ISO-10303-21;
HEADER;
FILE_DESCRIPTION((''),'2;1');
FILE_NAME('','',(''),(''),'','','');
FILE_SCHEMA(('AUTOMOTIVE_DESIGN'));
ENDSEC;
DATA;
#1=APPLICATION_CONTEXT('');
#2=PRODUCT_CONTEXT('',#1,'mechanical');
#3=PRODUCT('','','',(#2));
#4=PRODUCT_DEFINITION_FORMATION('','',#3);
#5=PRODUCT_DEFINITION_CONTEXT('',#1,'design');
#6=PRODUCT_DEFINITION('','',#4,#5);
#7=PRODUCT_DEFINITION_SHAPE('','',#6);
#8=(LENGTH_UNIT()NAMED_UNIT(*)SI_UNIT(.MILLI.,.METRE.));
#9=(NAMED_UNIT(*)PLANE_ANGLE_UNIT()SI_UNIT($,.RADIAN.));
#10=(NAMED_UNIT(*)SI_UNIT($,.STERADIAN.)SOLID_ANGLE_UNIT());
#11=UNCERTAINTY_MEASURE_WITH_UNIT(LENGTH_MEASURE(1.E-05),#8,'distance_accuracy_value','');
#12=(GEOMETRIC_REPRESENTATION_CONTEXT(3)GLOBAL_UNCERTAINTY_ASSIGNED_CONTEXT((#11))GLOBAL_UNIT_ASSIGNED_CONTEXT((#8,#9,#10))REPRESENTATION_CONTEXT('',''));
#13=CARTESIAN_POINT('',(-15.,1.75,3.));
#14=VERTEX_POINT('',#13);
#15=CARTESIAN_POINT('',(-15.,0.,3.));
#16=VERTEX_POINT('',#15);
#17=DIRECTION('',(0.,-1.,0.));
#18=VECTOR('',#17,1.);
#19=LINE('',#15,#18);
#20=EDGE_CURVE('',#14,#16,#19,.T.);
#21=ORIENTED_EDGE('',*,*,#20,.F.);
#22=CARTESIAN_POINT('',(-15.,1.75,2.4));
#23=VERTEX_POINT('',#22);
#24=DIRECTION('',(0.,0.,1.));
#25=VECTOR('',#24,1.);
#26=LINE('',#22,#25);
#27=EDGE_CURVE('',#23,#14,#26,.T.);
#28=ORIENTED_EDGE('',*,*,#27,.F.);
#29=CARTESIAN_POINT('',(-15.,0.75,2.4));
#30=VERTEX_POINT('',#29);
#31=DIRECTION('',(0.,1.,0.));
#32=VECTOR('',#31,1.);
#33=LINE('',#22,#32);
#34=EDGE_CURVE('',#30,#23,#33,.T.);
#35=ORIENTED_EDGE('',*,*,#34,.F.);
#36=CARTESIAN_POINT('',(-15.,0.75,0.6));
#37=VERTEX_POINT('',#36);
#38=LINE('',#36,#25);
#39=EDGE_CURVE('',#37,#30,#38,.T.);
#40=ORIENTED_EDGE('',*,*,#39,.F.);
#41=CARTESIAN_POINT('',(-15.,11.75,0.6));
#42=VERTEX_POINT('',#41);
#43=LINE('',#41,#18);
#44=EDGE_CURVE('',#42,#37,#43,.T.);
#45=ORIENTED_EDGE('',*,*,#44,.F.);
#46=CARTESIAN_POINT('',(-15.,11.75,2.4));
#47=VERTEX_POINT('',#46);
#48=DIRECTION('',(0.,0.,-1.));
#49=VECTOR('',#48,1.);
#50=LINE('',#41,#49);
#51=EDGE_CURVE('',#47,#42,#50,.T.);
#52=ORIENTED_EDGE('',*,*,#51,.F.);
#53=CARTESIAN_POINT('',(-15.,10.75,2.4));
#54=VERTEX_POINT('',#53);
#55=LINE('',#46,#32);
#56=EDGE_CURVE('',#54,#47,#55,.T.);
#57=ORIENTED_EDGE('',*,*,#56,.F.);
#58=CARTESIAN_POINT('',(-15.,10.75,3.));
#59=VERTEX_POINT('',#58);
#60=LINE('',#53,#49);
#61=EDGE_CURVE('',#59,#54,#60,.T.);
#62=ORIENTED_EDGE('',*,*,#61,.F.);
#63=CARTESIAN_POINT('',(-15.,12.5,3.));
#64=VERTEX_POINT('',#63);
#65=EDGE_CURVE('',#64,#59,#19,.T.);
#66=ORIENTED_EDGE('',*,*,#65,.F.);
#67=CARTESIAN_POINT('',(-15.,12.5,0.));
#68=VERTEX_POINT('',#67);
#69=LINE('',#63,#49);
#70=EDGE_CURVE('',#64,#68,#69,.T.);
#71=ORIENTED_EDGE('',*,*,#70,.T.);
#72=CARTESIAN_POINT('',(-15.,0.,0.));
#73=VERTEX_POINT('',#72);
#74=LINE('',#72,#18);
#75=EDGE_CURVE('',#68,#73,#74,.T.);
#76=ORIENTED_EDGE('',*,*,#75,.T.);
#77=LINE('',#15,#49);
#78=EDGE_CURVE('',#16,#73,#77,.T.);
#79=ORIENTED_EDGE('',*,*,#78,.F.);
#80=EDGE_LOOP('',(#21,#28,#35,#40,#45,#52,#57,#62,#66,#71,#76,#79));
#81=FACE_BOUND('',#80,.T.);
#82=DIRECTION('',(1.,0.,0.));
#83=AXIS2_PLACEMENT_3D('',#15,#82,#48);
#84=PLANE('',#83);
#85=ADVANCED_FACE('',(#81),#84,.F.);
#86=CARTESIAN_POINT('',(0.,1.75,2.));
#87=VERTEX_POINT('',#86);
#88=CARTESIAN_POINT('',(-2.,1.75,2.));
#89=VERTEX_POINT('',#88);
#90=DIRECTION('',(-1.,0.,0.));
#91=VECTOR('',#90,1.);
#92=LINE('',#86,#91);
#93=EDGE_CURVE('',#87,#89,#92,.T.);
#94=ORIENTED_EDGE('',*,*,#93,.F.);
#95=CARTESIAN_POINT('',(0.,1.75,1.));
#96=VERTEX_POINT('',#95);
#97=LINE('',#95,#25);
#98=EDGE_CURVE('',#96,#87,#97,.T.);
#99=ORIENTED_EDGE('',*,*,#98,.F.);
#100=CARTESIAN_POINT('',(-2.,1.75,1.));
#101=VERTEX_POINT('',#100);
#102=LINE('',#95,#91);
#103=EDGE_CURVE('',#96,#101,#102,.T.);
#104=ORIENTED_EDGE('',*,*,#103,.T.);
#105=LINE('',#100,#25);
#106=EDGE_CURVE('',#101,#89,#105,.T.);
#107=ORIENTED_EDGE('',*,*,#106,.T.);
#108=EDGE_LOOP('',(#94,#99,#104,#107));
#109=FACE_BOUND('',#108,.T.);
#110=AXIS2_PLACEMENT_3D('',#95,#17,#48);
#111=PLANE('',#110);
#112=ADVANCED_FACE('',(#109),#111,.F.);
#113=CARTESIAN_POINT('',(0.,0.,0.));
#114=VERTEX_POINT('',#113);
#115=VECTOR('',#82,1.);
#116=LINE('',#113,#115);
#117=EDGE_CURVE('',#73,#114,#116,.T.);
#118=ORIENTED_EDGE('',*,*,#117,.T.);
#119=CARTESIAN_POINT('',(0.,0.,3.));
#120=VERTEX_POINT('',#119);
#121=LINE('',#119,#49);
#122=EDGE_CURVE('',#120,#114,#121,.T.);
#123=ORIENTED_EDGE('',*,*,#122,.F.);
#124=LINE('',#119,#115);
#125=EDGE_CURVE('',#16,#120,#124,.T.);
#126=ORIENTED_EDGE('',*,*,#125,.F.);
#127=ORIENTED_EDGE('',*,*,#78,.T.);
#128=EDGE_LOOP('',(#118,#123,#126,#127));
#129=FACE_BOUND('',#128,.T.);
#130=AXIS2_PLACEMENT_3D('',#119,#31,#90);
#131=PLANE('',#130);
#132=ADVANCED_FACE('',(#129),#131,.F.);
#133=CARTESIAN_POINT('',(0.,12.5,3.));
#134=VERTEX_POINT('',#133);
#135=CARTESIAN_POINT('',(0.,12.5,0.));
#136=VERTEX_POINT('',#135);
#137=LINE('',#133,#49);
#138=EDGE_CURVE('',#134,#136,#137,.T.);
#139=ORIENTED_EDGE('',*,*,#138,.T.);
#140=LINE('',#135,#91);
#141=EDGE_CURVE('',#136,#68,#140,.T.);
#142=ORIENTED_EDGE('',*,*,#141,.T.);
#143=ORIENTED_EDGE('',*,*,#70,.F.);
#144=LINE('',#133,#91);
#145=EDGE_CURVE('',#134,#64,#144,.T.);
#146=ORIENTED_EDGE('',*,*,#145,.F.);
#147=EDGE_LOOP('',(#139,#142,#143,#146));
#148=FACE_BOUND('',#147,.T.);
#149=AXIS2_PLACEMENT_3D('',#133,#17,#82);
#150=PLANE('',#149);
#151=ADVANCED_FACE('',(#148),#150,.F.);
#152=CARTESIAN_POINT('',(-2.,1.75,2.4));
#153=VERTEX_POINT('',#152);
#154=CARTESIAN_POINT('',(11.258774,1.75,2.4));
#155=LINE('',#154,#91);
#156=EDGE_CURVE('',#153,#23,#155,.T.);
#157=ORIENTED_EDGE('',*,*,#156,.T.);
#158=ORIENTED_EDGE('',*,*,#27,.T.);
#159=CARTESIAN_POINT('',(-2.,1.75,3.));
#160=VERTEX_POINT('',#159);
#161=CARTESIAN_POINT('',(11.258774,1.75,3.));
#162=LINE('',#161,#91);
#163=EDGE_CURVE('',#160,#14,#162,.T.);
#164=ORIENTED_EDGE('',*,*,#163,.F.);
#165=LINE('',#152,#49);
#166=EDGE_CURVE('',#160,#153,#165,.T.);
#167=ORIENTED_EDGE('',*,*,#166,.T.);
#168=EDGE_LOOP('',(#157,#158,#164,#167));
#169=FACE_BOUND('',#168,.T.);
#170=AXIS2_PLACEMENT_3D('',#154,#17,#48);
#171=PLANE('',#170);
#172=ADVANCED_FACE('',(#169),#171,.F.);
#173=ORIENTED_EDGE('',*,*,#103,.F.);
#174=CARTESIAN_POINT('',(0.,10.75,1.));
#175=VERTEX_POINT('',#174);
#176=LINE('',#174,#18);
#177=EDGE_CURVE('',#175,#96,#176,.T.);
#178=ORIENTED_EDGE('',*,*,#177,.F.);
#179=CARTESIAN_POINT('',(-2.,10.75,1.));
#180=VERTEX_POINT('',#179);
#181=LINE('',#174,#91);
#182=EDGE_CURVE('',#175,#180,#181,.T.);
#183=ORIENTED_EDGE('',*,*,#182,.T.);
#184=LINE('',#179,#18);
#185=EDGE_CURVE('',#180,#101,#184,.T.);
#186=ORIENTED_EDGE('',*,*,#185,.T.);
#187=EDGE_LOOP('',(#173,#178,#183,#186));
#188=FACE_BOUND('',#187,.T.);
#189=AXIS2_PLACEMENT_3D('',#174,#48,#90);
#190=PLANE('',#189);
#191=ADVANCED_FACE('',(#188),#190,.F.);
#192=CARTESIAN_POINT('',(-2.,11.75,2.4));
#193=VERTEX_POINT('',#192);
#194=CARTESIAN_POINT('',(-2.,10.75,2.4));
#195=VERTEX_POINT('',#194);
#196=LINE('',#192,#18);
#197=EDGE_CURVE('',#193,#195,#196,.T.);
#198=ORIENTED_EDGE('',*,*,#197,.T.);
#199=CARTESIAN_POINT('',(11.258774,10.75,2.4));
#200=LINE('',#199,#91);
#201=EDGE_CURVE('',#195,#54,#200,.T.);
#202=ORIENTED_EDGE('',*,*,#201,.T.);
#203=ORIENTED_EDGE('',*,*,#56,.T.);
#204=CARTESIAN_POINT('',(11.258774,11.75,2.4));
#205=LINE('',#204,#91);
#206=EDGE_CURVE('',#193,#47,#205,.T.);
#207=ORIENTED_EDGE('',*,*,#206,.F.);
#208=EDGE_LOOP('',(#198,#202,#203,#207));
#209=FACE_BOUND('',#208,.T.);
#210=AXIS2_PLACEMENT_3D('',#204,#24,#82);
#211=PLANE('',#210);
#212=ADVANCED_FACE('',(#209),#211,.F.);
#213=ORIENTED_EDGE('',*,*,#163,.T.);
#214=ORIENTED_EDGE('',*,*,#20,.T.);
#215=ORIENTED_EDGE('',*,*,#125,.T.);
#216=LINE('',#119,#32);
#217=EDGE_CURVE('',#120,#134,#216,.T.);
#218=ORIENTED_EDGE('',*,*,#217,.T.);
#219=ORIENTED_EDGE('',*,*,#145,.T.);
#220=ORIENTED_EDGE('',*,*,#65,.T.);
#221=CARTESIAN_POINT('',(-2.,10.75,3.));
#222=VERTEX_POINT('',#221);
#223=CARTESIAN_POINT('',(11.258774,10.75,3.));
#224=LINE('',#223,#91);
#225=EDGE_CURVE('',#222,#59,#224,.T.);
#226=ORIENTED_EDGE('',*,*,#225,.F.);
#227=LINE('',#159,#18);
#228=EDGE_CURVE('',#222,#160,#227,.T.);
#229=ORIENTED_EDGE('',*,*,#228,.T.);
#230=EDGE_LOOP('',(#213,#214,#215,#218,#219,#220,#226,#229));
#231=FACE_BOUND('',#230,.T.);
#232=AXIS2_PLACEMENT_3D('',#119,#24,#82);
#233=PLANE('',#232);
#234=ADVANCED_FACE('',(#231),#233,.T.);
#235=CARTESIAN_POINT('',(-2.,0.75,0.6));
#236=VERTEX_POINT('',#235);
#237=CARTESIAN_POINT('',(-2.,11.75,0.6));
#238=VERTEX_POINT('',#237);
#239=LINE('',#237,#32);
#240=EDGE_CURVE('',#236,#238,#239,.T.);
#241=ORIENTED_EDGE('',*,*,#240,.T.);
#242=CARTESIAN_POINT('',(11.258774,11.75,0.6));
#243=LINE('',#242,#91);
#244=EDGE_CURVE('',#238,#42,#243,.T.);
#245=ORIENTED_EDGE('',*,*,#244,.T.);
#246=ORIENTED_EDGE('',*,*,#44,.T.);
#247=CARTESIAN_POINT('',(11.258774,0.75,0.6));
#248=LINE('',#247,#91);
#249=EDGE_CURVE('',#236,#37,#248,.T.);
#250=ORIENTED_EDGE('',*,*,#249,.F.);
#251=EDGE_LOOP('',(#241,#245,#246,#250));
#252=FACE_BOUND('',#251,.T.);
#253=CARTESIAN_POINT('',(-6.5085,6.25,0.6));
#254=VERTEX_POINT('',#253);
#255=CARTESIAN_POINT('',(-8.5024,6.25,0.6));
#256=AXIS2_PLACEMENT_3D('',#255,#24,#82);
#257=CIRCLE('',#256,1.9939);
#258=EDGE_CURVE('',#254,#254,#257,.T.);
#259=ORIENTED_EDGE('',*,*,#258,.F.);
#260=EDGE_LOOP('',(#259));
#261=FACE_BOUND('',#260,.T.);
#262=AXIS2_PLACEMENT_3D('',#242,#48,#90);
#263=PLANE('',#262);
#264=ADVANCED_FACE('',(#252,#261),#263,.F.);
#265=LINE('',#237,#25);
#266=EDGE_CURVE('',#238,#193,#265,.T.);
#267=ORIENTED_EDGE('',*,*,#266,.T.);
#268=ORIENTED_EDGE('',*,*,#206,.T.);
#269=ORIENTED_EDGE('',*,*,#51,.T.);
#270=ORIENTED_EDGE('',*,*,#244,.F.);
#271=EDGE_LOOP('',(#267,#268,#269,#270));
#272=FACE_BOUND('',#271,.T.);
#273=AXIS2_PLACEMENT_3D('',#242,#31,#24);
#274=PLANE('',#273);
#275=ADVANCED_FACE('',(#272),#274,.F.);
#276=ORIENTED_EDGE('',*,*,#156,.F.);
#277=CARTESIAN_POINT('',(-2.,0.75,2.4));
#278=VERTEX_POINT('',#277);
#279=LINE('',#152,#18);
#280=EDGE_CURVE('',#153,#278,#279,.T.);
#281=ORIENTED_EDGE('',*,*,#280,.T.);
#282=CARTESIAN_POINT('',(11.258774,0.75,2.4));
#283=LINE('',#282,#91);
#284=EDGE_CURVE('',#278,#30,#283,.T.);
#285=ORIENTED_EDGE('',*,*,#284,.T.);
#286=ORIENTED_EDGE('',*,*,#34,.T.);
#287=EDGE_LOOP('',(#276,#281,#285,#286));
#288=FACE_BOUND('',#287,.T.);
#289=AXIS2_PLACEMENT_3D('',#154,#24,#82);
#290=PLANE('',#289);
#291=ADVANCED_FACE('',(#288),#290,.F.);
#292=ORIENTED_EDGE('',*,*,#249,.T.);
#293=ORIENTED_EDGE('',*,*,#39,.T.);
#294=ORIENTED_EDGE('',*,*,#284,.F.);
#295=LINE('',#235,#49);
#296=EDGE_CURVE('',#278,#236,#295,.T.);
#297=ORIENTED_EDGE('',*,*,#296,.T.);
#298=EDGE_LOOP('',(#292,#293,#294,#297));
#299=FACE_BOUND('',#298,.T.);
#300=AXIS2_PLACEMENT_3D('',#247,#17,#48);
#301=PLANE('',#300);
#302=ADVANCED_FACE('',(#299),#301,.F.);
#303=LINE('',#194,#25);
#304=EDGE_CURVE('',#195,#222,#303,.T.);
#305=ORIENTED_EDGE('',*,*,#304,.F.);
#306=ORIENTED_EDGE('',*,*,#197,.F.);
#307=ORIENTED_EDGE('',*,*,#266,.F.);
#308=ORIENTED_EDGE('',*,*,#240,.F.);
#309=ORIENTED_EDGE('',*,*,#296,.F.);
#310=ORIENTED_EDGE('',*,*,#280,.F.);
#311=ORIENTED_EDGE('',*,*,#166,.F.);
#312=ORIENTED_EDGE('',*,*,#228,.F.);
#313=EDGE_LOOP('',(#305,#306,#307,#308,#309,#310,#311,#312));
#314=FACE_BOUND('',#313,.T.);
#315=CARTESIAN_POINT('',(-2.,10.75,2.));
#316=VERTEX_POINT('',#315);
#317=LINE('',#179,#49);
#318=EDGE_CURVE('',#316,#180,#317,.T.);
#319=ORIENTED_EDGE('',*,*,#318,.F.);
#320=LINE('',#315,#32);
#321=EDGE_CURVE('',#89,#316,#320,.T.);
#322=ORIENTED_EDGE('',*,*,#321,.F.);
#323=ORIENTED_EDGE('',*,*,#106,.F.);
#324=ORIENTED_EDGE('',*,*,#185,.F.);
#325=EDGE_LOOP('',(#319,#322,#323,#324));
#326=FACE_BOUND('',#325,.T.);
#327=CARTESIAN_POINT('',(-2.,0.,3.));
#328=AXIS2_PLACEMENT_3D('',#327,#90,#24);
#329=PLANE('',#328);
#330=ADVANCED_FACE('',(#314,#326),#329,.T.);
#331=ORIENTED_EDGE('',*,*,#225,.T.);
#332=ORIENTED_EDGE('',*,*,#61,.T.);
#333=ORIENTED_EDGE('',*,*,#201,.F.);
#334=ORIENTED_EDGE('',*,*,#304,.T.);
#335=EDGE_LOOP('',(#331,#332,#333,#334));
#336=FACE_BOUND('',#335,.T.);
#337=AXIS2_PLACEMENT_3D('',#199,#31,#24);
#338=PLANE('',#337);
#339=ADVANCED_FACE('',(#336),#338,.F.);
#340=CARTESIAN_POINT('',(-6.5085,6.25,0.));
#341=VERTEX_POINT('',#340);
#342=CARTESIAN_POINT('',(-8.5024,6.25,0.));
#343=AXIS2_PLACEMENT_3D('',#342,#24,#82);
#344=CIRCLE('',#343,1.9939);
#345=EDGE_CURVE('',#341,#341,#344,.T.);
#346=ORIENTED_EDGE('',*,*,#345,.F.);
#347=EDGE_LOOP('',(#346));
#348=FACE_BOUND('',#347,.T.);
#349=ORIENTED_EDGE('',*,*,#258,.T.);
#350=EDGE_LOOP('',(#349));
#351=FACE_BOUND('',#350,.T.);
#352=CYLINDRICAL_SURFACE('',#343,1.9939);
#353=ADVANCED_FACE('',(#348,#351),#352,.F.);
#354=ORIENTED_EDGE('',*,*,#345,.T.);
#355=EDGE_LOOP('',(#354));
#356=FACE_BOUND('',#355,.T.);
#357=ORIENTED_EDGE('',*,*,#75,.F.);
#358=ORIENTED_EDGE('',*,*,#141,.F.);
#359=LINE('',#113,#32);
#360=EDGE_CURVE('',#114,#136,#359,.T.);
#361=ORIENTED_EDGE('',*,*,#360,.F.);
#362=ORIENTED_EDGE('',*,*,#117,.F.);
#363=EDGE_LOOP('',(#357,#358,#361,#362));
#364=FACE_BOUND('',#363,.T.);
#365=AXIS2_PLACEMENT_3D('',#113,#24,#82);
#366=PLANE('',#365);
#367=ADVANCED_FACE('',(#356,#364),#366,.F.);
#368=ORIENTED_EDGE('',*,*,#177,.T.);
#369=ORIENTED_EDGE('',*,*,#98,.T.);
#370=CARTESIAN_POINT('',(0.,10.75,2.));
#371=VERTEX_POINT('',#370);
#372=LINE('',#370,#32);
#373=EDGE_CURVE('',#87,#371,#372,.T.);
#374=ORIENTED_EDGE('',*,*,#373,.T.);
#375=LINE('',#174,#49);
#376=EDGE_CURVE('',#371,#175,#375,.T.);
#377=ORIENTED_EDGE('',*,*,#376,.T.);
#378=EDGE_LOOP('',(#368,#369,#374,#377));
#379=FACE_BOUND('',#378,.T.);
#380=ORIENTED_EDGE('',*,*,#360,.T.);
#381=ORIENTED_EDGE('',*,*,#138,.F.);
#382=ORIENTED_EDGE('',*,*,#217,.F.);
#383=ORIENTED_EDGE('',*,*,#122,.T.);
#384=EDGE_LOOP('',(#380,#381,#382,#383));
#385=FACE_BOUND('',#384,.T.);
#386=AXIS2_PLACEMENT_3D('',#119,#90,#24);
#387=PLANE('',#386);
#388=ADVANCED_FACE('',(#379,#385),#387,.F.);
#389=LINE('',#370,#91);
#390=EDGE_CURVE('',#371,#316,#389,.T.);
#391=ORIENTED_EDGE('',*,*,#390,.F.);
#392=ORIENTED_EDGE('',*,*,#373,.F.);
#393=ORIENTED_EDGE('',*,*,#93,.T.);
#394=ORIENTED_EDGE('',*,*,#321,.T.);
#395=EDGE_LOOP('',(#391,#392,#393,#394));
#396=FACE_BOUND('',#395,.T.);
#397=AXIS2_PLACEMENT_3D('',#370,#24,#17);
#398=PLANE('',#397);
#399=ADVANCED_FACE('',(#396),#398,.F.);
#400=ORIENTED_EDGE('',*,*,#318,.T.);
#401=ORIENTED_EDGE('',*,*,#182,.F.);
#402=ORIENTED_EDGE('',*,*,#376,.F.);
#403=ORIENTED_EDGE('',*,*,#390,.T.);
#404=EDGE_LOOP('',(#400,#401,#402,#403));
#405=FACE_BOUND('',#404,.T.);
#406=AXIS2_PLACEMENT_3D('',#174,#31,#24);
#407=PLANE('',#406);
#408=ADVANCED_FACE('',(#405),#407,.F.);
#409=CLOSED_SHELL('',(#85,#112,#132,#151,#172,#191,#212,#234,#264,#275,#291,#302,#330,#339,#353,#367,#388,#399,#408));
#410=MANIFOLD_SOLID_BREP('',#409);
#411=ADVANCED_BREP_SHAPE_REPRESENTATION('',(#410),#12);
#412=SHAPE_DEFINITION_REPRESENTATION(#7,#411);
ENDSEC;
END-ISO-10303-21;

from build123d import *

# Parameters (mm, degrees)
SKETCH1_W           = 15
SKETCH1_H           = 12.5
BOSS_EXTRUDE1_DEPTH = 3
CUT_EXTRUDE1_DEPTH  = 13
SKETCH4_W           = 1
SKETCH4_H           = 9
CUT_EXTRUDE2_DEPTH  = 19.282505299
SKETCH5_R           = 1.9939
CUT_EXTRUDE3_DEPTH  = 1082.289832046


with BuildPart() as part:
    # Sketch1 → Boss-Extrude1 (new body)
    with BuildSketch(Plane.XY):
        with Locations((-7.5, 6.25)):
            Rectangle(SKETCH1_W, SKETCH1_H)
    extrude(amount=BOSS_EXTRUDE1_DEPTH)

    # Sketch3 → Cut-Extrude1 (cut)
    with BuildSketch(Plane.ZY.offset(15)):
        Polygon((0.6, 11.75), (2.4, 11.75), (2.4, 10.75), (3, 10.75), (3, 1.75), (2.4, 1.75), (2.4, 0.75), (0.6, 0.75), align=None)
    extrude(amount=-CUT_EXTRUDE1_DEPTH, mode=Mode.SUBTRACT)

    # Sketch4 → Cut-Extrude2 (cut, through all)
    with BuildSketch(Plane.ZY.offset(2)):
        with Locations((1.5, 6.25)):
            Rectangle(SKETCH4_W, SKETCH4_H)
    extrude(amount=-CUT_EXTRUDE2_DEPTH, mode=Mode.SUBTRACT)

    # Sketch5 → Cut-Extrude3 (cut, through all)
    with BuildSketch(Plane(origin=(-632.3963488, -864.572858382, 0.6), x_dir=(1, 0, 0), z_dir=(0, 0, 1))):
        with Locations((623.8939488, 870.822858382)):
            Circle(SKETCH5_R)
    extrude(amount=-CUT_EXTRUDE3_DEPTH, mode=Mode.SUBTRACT)


solid = part.part
